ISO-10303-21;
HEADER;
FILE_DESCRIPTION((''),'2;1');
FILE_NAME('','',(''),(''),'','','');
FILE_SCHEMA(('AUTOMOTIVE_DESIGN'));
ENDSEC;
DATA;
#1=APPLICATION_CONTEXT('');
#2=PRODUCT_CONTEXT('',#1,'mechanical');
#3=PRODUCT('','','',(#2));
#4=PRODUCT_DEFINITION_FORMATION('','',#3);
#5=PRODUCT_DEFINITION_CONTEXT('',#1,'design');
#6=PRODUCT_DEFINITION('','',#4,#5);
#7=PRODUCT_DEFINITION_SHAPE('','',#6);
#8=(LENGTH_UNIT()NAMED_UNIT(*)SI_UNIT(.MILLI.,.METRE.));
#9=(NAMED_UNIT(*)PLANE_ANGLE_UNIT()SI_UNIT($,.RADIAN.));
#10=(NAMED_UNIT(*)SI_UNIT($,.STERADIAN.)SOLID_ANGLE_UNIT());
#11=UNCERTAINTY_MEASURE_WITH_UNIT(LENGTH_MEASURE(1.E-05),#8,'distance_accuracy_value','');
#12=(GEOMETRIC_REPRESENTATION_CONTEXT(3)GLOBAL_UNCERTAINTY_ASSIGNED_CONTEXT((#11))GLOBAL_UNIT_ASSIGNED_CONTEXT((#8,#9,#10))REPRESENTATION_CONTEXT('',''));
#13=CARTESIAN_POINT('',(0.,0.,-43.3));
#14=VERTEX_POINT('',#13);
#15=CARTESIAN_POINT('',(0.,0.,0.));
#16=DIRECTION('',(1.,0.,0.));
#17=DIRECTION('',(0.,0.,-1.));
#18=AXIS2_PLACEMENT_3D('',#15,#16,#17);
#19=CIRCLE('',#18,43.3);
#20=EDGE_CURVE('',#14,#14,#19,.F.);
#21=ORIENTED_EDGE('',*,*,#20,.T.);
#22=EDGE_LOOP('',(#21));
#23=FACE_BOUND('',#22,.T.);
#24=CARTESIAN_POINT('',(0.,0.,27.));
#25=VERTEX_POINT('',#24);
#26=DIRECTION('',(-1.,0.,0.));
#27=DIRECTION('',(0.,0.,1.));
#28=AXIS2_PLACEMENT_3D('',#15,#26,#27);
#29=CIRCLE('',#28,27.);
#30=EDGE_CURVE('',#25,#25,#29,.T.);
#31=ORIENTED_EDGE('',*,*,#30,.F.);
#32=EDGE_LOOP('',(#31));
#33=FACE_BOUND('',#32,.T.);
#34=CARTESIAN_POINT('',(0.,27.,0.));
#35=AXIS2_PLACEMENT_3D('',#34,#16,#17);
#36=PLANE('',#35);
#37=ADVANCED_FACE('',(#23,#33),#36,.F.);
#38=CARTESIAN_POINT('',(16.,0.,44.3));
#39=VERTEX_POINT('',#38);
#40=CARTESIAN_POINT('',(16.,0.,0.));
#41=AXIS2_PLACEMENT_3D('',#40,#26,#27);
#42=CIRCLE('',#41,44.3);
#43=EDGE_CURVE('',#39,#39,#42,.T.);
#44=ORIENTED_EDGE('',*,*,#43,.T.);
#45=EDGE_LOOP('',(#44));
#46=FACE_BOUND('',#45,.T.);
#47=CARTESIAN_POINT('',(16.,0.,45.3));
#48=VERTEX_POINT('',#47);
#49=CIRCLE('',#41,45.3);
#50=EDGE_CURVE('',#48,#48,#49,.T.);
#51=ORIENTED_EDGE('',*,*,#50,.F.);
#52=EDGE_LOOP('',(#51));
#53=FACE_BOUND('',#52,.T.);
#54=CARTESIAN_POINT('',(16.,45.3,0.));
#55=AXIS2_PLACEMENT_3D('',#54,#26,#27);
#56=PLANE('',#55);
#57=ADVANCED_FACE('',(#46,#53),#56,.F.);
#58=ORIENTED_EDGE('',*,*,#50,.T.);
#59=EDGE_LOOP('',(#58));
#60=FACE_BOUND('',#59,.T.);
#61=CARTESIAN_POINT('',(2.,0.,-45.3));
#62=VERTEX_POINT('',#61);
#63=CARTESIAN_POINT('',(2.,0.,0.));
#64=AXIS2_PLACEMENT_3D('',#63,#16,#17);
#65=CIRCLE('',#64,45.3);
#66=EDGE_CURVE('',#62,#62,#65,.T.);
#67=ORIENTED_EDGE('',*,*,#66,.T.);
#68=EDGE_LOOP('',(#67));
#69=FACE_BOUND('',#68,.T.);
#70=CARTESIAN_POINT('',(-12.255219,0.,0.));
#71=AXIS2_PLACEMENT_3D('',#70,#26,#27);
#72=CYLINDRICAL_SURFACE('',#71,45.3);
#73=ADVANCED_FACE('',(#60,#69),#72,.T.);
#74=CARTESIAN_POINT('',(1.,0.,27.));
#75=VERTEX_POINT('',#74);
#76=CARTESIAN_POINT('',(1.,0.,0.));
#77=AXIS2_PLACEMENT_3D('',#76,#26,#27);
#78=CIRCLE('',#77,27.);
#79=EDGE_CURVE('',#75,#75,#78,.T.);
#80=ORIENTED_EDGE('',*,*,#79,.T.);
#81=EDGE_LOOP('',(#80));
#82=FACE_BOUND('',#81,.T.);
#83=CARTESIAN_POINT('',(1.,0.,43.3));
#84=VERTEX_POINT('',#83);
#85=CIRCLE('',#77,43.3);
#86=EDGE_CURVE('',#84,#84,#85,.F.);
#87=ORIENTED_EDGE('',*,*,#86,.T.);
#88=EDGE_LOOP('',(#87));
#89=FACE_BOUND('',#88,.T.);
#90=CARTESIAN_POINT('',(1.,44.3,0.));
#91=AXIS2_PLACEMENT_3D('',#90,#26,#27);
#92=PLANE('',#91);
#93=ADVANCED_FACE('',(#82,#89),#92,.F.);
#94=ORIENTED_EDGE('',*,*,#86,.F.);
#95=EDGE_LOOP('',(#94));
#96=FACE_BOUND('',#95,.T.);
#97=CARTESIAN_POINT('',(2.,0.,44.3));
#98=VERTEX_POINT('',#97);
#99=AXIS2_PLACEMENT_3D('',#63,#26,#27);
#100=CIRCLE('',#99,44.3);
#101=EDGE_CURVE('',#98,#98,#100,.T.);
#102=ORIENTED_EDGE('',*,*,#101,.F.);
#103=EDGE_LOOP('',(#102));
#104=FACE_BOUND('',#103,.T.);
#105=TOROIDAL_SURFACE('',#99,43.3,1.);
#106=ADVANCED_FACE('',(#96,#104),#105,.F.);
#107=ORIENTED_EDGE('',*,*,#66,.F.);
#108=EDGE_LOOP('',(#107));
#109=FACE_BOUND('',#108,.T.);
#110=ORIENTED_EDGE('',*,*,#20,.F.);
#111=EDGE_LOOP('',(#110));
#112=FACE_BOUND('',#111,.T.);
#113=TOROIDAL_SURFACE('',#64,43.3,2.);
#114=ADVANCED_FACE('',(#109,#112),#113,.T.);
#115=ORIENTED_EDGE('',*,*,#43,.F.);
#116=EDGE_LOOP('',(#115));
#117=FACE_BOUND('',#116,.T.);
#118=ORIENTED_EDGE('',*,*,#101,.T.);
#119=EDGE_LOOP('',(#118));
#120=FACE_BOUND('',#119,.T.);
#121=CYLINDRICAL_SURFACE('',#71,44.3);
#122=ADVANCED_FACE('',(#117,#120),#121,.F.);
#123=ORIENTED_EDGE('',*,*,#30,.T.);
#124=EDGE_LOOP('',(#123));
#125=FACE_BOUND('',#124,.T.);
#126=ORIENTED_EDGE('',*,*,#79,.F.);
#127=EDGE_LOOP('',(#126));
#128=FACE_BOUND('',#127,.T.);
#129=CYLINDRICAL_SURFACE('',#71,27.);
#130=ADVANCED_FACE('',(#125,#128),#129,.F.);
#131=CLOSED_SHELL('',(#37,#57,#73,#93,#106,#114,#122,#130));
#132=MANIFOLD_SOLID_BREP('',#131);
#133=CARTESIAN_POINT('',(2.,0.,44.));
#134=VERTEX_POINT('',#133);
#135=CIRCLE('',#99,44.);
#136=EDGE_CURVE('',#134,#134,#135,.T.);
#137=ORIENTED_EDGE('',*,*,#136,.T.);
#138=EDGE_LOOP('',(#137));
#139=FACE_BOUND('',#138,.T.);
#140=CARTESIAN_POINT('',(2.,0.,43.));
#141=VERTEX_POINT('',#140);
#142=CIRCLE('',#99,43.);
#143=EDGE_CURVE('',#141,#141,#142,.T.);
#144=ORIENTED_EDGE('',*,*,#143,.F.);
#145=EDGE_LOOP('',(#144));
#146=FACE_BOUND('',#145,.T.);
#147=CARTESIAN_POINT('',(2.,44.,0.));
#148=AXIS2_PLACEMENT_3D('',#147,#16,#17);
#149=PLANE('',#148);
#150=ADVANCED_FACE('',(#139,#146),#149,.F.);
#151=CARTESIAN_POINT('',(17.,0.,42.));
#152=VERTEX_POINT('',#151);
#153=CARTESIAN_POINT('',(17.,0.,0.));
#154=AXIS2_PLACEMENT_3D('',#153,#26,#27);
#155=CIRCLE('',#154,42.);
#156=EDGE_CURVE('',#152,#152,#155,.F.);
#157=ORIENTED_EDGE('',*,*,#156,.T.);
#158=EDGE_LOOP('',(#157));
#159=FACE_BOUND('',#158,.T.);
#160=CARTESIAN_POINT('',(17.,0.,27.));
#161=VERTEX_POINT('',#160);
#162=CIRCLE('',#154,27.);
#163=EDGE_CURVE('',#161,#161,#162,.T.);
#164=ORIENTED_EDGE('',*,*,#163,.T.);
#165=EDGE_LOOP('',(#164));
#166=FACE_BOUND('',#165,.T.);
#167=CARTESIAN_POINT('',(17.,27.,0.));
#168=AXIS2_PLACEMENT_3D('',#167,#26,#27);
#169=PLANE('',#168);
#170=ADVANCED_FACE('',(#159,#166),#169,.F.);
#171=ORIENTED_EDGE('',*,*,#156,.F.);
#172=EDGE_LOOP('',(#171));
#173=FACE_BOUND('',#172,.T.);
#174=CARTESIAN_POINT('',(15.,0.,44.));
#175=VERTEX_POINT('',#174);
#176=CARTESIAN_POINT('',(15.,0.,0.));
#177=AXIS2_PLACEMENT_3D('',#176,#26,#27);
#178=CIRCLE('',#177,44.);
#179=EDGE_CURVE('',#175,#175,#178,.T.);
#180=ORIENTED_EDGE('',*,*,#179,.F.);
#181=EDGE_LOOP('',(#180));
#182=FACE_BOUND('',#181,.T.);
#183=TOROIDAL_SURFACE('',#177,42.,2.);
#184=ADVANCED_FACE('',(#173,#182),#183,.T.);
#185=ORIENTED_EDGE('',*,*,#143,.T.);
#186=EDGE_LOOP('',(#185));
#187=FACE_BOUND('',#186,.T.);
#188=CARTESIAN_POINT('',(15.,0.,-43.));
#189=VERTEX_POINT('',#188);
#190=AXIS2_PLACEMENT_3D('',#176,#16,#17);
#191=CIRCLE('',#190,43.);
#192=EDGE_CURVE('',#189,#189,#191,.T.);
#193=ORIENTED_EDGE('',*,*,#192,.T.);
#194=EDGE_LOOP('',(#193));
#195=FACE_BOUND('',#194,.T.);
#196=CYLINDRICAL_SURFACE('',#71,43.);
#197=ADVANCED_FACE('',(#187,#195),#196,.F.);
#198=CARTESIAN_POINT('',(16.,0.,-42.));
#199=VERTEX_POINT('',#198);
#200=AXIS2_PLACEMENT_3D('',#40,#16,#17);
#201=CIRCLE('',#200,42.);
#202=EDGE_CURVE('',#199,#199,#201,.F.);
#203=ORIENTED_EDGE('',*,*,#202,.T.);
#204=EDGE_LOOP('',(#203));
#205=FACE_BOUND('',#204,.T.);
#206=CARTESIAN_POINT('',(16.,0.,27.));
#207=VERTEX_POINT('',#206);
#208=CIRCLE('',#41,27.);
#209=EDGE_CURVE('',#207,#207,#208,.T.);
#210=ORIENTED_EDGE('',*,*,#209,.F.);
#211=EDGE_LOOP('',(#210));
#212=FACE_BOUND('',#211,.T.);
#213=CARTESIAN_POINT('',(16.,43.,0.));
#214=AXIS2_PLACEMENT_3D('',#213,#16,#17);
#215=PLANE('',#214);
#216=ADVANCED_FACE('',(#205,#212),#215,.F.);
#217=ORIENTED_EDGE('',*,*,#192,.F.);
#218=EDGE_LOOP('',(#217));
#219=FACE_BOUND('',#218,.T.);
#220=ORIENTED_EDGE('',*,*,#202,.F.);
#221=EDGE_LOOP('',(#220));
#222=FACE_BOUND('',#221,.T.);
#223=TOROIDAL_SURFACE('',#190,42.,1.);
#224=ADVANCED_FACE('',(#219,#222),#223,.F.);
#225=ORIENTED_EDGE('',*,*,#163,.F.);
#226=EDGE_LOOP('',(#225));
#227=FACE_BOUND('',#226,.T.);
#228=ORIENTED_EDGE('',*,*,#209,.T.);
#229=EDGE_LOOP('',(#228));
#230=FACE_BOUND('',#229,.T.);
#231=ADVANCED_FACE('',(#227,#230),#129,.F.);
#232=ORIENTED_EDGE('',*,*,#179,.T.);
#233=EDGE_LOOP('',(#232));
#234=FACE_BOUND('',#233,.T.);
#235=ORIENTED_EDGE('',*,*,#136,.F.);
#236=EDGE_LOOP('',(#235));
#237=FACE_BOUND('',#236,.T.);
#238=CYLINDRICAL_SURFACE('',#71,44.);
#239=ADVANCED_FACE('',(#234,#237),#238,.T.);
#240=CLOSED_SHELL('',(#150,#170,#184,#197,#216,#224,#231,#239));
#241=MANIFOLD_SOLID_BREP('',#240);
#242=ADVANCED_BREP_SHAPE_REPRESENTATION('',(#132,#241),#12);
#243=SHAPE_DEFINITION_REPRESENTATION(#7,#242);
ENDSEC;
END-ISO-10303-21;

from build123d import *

# Parameters (mm, degrees)
FILLET1_R = 1
FILLET2_R = 1
FILLET3_R = 2
FILLET4_R = 2


with BuildPart() as part:
    # Sketch1 → Revolve1 (revolve)
    with BuildSketch(Plane.XY, mode=Mode.PRIVATE) as revolve1_sk:
        Polygon((0, 27), (0, 45.3), (16, 45.3), (16, 44.3), (1, 44.3), (1, 27), align=None)
        Polygon((17, 27), (17, 44), (2, 44), (2, 43), (16, 43), (16, 27), align=None)
    revolve(revolve1_sk.sketch.rotate(Axis((-12.255218601, 0, 0), (1, 0, 0)), 90), axis=Axis((-12.255218601, 0, 0), (1, 0, 0)))

    # Fillet1
    fillet1_edges = [part.edges().sort_by_distance(p)[0] for p in [
        (16, 0, -43),
    ]]
    fillet(fillet1_edges, radius=FILLET1_R)

    # Fillet2
    fillet2_edges = [part.edges().sort_by_distance(p)[0] for p in [
        (1, 0, -44.3),
    ]]
    fillet(fillet2_edges, radius=FILLET2_R)

    # Fillet3
    fillet3_edges = [part.edges().sort_by_distance(p)[0] for p in [
        (0, 0, -45.3),
    ]]
    fillet(fillet3_edges, radius=FILLET3_R)

    # Fillet4
    fillet4_edges = [part.edges().sort_by_distance(p)[0] for p in [
        (17, 0, -44),
    ]]
    fillet(fillet4_edges, radius=FILLET4_R)


solid = part.part
